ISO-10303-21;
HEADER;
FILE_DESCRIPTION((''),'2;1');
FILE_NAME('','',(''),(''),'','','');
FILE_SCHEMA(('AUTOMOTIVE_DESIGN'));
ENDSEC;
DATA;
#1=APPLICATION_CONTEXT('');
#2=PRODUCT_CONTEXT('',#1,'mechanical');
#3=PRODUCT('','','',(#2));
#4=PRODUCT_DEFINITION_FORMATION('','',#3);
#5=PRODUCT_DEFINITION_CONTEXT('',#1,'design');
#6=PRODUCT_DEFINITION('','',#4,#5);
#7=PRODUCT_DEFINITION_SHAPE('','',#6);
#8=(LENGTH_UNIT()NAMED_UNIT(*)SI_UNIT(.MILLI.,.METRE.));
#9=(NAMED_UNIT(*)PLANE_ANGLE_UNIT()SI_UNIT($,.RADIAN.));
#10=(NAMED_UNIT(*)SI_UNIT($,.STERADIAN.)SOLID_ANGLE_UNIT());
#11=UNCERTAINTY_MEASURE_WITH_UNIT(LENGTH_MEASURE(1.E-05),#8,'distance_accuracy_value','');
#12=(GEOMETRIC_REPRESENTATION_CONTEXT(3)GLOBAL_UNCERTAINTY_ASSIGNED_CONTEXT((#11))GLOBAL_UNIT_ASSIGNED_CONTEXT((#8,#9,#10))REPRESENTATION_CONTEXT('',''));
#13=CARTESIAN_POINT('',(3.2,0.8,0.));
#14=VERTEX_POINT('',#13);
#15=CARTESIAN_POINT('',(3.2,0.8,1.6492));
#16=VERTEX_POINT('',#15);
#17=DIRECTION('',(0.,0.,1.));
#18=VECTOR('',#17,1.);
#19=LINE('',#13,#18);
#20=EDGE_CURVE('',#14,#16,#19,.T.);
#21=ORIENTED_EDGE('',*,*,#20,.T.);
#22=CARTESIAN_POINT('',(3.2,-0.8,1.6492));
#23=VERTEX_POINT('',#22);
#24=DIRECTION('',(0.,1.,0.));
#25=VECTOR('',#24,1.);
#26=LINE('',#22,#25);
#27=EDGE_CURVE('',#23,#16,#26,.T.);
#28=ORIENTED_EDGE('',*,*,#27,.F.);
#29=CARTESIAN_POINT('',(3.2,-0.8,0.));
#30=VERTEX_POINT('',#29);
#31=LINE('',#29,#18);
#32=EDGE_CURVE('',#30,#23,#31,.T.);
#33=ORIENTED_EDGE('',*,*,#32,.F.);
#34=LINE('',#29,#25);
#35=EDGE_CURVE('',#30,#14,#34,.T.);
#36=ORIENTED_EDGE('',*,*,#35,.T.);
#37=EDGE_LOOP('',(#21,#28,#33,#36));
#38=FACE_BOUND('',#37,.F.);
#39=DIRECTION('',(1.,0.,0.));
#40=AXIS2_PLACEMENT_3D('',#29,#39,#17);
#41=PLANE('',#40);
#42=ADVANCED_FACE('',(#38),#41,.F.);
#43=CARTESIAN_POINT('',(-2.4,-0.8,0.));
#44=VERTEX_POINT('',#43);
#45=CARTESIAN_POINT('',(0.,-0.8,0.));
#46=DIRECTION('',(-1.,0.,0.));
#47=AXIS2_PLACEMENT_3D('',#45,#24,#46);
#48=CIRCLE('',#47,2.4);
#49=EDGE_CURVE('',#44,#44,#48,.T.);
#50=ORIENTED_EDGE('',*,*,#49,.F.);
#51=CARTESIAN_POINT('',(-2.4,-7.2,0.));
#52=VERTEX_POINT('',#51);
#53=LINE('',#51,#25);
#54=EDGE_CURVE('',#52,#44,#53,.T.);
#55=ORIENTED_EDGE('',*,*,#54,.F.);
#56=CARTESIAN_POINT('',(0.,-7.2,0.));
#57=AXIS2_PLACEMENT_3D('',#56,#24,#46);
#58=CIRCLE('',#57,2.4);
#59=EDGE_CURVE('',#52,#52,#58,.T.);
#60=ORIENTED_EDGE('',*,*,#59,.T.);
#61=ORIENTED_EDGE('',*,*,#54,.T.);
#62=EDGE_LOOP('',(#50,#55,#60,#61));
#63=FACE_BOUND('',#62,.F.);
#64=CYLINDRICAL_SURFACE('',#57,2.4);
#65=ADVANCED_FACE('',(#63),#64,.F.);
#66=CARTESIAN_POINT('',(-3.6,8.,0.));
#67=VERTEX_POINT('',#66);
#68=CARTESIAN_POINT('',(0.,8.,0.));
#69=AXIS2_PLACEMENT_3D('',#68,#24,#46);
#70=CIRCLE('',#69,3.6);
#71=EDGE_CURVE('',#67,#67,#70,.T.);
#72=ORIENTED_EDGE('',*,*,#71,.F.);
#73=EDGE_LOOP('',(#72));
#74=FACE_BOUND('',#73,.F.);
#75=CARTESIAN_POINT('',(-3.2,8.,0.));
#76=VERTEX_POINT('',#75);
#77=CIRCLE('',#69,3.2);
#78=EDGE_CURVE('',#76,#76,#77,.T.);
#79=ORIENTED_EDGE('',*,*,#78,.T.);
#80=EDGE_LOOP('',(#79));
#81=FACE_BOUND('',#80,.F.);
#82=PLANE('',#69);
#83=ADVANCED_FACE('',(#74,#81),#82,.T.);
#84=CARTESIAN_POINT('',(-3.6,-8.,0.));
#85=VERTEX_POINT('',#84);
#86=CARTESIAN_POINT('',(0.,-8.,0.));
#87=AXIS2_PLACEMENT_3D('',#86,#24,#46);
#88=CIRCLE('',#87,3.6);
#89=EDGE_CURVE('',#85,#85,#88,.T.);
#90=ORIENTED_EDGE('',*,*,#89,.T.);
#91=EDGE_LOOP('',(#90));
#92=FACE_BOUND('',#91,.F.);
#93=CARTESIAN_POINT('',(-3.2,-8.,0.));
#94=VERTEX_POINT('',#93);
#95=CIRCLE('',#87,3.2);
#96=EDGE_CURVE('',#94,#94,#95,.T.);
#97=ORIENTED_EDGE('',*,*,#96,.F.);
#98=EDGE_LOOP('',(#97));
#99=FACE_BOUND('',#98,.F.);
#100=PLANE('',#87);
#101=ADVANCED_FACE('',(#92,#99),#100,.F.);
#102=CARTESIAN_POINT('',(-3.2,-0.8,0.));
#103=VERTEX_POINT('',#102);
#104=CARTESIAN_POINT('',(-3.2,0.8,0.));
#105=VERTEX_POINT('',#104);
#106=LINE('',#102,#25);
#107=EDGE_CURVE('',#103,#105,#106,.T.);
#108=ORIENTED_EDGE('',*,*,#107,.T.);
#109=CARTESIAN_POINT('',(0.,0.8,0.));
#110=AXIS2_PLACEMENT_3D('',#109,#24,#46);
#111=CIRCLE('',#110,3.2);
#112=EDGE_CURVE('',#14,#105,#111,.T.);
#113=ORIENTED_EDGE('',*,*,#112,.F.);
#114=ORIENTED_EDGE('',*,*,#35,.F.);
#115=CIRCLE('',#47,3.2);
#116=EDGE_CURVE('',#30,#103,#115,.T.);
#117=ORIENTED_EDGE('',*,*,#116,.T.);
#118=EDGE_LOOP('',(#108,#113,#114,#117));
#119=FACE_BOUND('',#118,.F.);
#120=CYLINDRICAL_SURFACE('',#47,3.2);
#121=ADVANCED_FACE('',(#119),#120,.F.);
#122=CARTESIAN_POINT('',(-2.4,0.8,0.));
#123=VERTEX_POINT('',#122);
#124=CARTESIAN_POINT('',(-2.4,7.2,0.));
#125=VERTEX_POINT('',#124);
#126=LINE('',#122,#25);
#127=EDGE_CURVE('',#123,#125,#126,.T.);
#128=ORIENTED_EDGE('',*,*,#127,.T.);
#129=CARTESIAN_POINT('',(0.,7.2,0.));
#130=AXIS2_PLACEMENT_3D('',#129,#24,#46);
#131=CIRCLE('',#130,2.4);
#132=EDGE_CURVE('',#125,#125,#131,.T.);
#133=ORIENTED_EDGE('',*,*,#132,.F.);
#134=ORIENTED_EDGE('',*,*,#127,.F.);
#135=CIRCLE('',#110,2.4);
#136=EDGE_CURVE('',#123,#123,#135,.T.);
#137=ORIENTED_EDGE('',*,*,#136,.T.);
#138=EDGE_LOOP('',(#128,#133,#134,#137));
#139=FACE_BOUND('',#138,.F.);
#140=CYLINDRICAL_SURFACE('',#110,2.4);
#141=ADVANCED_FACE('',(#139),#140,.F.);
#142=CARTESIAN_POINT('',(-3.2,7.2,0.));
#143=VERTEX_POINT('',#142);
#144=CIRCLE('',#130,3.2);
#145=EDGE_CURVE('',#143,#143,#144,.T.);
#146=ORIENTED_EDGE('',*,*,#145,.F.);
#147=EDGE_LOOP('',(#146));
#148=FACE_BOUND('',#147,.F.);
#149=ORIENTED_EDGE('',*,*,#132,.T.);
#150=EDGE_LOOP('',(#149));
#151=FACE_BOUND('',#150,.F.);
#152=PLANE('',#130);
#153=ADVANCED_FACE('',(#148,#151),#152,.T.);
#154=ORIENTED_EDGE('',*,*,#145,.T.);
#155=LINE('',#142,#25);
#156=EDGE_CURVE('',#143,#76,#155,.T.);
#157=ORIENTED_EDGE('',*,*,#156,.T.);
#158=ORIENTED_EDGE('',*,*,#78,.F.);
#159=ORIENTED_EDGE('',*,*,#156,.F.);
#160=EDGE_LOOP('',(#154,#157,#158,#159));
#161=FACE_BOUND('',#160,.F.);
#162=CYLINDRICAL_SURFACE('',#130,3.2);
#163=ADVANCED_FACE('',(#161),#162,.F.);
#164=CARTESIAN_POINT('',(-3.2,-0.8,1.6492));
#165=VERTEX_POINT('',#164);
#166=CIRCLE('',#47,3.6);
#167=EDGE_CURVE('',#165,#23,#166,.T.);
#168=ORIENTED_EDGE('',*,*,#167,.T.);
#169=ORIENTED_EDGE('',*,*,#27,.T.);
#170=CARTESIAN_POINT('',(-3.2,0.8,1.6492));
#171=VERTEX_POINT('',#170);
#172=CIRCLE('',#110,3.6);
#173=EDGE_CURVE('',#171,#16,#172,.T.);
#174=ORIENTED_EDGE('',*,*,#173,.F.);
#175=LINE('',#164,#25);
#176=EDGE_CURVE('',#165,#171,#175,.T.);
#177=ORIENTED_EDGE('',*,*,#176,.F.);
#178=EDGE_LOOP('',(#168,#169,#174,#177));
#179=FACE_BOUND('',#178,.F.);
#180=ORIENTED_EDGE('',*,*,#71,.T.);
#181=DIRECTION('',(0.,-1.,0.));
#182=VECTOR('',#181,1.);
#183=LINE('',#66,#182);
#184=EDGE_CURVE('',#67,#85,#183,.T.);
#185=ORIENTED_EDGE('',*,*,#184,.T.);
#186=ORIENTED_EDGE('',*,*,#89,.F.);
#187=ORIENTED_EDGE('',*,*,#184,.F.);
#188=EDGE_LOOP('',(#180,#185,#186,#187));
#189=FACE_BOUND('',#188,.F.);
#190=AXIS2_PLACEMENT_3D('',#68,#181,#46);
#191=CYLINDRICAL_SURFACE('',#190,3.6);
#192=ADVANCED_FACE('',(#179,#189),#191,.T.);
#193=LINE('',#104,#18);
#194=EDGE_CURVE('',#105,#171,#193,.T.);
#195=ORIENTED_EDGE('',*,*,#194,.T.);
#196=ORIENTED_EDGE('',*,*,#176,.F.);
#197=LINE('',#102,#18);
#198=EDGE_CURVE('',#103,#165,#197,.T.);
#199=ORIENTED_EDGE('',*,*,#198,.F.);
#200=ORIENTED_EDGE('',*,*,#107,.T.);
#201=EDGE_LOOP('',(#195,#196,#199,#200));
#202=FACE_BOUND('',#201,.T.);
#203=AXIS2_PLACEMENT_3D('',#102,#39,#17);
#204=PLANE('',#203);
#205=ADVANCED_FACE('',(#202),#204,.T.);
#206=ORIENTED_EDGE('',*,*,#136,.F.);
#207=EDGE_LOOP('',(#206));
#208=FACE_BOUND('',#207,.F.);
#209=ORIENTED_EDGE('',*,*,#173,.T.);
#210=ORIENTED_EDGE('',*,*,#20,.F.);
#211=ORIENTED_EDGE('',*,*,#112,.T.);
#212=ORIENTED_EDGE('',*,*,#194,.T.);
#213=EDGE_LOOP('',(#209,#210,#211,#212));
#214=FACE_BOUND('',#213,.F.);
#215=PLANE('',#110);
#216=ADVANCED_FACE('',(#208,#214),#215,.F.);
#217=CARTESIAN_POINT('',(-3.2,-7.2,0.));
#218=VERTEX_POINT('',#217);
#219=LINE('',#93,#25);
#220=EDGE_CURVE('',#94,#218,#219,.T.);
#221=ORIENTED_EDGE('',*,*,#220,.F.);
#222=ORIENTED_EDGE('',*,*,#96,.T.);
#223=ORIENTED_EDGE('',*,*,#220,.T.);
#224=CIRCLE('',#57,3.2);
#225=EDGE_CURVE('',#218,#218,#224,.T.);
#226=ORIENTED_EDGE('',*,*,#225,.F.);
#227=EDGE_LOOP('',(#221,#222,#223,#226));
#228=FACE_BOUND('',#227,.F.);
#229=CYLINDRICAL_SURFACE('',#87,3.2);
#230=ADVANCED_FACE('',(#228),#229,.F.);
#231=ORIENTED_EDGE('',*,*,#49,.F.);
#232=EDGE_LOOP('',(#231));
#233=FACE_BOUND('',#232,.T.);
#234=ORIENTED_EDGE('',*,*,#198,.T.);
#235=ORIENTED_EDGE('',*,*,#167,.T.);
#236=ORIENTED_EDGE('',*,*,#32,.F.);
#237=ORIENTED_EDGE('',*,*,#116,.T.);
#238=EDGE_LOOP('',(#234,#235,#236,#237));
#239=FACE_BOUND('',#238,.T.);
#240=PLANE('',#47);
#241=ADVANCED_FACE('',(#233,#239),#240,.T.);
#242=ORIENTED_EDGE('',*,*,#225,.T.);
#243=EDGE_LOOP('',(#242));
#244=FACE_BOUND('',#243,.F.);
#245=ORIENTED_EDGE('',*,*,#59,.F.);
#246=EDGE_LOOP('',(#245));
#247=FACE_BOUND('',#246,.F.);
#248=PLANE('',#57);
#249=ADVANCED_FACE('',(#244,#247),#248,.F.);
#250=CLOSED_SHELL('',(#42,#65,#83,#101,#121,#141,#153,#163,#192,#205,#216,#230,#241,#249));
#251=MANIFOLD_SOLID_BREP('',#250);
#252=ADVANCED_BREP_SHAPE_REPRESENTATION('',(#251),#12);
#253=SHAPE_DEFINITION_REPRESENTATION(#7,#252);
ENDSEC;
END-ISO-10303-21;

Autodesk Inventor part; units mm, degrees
ref_plane "YZ Plane" through (0, 0, 0) normal (1, 0, 0) x (0, 1, 0)
ref_plane "XZ Plane" through (0, 0, 0) normal (0, 1, 0) x (-1, 0, 0)
ref_plane "XY Plane" through (0, 0, 0) normal (0, 0, 1) x (1, 0, 0)
sketch "Sketch2" plane through (0, 0, 0) normal (0, 0, 1) x (1, 0, 0)
  line L0 (0, -11.2) -> (0, 11.2) projected
  line L1 (-3.6, 8) -> (-3.6, -8)
  line L2 (-3.6, -8) -> (-3.2, -8)
  line L3 (-3.2, -8) -> (-3.2, -7.2)
  line L4 (-3.2, -7.2) -> (-2.4, -7.2)
  line L5 (-2.4, -7.2) -> (-2.4, -0.8)
  line L6 (-2.4, -0.8) -> (-3.2, -0.8)
  line L7 (-3.2, -0.8) -> (-3.2, 0.8)
  line L8 (-3.2, 0.8) -> (-2.4, 0.8)
  line L9 (-2.4, 0.8) -> (-2.4, 7.2)
  line L10 (-2.4, 7.2) -> (-3.2, 7.2)
  line L11 (-3.2, 7.2) -> (-3.2, 8)
  line L12 (-3.2, 8) -> (-3.6, 8)
  point P0 (0, 0)
  point P1 (-3.2, 0)
  dimension "d0" = 16
  dimension "d1" = 6.4
  dimension "d2" = 7.2
  dimension "d3" = 4.8
  dimension "d4" = 0.8
  dimension "d5" = 1.6
revolve "Revolution1" add sketch "Sketch2" angle 360 about axis through (0, -10, 0) along (0, 1, 0)
sketch "Sketch3" plane through (0, 0, 0) normal (0, 1, 0) x (-1, 0, 0)
  circle A0 centre (0, 0) radius 3.2 projected
  circle A1 centre (0, 0) radius 3.6 projected
  line L0 (-3.2, 0) -> (-3.2, 1.6492)
  line L1 (3.2, 0) -> (3.2, 1.6492)
extrude "Extrusion1" cut sketch "Sketch3" along normal up to surface (1.6 mm away) from surface at -0.8 contours A0 L0 A1 L1 picked at (-0.1286, 3.4412)
equation "\"d0\" = 2 * lu"
equation "\"d1\" = tsd"
equation "\"d2\" = tlad"
equation "\"d3\" = tpd"
equation "\"d4\" = tsl"
equation "\"d5\" = 2 * tsl"
equation "\"lu\" = 8"
equation "\"tsd\" = 6.4"
equation "\"tlad\" = 7.2"
equation "\"tpd\" = 4.8"
equation "\"tsl\" = 0.8"
properties part number "62462-Yellow" material "ABS Plastic"
